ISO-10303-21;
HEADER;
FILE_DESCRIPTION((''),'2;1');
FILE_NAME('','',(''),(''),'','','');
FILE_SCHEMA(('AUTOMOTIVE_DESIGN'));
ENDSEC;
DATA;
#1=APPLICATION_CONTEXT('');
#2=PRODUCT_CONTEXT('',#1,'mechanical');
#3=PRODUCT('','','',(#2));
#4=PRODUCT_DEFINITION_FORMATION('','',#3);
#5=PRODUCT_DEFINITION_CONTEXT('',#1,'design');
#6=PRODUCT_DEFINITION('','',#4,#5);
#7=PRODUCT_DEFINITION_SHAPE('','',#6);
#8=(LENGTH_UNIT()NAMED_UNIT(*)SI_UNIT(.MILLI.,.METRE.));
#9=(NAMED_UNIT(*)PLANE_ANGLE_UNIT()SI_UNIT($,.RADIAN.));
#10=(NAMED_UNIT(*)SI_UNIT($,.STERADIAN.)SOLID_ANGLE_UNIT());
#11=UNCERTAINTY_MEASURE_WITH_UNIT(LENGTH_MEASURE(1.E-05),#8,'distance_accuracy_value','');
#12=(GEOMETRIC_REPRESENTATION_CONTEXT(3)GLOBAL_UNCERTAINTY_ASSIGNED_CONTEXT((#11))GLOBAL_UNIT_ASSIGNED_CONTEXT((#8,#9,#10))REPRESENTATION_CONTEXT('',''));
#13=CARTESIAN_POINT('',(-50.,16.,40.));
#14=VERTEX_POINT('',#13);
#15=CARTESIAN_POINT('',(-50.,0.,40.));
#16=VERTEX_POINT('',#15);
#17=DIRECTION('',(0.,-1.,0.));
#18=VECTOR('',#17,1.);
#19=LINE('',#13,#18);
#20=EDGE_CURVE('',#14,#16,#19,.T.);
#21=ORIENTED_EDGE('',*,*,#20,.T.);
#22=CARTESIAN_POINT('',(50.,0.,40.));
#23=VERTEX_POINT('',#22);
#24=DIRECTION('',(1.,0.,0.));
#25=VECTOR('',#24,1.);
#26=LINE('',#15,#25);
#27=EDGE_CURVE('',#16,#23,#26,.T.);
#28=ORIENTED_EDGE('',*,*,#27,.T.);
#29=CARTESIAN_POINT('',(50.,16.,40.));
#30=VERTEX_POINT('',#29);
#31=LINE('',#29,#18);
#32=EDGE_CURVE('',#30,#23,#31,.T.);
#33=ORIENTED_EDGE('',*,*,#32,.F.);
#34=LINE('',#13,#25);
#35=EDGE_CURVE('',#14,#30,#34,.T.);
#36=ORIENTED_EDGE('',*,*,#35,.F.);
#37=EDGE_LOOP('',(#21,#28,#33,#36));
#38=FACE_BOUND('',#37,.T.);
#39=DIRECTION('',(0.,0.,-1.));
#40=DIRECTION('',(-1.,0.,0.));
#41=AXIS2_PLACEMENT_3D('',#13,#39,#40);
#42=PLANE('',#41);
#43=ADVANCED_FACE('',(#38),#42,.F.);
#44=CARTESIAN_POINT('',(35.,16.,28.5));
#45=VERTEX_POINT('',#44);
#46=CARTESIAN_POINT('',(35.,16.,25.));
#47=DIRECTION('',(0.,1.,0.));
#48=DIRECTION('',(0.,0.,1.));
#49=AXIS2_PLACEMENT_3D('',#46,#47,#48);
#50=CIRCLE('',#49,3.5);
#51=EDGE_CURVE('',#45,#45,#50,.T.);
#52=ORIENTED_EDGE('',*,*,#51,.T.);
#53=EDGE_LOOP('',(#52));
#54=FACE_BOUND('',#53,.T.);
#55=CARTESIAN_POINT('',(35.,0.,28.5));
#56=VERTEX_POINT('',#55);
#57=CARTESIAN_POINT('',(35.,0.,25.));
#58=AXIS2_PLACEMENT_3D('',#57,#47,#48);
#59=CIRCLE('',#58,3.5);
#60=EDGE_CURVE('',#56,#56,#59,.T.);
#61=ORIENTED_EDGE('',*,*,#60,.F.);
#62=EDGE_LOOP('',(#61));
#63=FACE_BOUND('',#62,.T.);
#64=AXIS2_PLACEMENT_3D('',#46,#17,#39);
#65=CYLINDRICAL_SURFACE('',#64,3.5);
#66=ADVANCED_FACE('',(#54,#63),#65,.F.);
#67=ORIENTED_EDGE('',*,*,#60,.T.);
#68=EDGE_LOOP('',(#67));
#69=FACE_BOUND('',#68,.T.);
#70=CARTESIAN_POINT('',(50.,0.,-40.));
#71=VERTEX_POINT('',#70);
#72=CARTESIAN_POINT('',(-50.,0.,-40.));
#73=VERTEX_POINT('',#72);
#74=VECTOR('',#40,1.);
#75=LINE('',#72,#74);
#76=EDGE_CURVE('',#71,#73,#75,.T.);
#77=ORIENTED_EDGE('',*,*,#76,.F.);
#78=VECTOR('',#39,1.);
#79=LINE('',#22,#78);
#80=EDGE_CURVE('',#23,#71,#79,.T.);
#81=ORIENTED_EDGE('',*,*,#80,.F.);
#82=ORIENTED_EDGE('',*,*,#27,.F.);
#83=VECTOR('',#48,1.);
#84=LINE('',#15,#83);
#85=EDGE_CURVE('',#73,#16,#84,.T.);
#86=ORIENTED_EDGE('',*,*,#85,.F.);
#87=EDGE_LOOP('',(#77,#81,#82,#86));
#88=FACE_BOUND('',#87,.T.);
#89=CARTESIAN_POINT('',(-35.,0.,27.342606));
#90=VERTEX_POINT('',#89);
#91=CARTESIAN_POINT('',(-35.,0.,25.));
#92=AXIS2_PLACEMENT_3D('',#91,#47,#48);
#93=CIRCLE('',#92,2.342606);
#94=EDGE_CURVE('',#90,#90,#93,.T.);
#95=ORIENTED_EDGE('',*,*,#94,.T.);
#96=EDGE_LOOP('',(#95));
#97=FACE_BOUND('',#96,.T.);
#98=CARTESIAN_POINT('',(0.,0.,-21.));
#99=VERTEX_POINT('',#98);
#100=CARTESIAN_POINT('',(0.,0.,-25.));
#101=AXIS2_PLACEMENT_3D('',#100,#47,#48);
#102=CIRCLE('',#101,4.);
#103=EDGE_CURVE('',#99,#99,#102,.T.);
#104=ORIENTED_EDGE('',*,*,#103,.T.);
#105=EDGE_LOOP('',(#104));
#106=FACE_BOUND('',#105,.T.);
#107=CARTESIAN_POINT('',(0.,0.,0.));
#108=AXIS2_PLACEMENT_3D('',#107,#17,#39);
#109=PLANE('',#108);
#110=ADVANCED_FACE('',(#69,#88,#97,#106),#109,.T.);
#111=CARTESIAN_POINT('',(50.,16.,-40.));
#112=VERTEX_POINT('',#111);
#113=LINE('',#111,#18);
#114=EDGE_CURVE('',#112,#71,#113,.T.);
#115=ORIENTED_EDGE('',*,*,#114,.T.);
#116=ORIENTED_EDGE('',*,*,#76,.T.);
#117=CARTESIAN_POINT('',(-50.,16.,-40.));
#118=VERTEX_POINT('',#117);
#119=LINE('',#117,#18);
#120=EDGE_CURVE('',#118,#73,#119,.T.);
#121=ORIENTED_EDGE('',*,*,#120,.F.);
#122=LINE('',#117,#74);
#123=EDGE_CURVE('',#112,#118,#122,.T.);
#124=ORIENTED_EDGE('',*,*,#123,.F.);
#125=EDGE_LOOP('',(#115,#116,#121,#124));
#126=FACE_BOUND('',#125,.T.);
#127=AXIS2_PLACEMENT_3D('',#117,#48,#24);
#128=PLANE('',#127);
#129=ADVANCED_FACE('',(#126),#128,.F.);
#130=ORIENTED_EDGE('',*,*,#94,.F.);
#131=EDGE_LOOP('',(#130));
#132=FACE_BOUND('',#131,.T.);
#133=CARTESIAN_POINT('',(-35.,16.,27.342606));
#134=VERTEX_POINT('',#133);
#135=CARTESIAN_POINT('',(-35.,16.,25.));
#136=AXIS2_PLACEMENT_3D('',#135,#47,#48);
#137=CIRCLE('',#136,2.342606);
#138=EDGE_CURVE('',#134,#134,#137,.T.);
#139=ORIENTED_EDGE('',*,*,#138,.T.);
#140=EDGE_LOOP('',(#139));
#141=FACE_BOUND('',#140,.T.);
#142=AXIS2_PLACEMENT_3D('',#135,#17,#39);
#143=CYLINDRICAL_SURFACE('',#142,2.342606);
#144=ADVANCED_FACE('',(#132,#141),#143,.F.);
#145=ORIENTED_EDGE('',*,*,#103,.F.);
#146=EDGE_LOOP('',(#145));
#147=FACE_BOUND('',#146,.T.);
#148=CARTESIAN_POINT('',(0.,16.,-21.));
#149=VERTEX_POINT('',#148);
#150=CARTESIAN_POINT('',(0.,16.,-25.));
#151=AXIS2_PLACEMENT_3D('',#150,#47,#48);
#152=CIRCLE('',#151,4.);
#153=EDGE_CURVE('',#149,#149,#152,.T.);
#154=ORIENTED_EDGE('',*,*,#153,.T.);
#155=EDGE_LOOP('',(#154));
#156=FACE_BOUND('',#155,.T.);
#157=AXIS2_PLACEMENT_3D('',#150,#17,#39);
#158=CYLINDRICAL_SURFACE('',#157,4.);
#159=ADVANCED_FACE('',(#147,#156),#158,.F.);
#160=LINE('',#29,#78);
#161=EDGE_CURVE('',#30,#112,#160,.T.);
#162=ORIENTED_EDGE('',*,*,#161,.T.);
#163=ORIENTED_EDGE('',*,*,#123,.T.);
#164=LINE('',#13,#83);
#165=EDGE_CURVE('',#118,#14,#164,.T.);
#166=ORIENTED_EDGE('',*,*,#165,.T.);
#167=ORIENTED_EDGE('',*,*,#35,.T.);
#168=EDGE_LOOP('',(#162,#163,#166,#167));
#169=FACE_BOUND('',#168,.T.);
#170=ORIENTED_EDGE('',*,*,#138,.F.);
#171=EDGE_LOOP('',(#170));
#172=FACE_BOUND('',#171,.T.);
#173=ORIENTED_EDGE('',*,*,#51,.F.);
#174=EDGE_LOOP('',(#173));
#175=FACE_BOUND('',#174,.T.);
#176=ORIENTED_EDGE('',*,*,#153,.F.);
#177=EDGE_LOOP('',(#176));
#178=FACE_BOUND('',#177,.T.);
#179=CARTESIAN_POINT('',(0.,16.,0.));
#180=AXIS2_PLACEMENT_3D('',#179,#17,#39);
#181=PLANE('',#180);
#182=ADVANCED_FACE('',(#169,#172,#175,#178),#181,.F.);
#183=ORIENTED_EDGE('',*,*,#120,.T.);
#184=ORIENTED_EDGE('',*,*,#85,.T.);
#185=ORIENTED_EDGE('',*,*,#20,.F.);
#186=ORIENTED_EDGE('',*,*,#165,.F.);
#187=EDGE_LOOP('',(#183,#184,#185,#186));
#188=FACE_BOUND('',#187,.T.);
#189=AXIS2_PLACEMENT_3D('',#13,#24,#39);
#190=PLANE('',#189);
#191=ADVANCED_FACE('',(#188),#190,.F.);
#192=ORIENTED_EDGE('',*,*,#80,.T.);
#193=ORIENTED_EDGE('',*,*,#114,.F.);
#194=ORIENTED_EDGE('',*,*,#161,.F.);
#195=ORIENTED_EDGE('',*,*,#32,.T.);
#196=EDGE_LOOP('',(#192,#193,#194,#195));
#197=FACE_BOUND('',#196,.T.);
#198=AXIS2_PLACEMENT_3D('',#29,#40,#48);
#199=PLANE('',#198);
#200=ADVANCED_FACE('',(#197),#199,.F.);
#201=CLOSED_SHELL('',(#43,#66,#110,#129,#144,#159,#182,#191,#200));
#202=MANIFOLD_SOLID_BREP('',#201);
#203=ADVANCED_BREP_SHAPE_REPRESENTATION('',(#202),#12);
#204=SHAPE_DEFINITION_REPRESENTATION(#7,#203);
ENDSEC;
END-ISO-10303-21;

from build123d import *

# Parameters (mm, degrees)
SKETCH_1_W      = 100
SKETCH_1_H      = 80
SKETCH_1_R      = 2.342606428
SKETCH_1_R_2    = 3.5
SKETCH_1_R_3    = 4
EXTRUDE_1_DEPTH = 16


with BuildPart() as part:
    # 草图1 → 凸台-拉伸1 (new body)
    with BuildSketch(Plane(origin=(0, 0, 0), x_dir=(1, 0, 0), z_dir=(0, 1, 0))):
        Rectangle(SKETCH_1_W, SKETCH_1_H)
        with Locations(Location((-35, -25, 0), (0, 0, 270))):
            Circle(SKETCH_1_R, mode=Mode.SUBTRACT)
        with Locations(Location((35, -25, 0), (0, 0, 270))):
            Circle(SKETCH_1_R_2, mode=Mode.SUBTRACT)
        with Locations(Location((0, 25, 0), (0, 0, 270))):
            Circle(SKETCH_1_R_3, mode=Mode.SUBTRACT)
    extrude(amount=EXTRUDE_1_DEPTH)


solid = part.part
